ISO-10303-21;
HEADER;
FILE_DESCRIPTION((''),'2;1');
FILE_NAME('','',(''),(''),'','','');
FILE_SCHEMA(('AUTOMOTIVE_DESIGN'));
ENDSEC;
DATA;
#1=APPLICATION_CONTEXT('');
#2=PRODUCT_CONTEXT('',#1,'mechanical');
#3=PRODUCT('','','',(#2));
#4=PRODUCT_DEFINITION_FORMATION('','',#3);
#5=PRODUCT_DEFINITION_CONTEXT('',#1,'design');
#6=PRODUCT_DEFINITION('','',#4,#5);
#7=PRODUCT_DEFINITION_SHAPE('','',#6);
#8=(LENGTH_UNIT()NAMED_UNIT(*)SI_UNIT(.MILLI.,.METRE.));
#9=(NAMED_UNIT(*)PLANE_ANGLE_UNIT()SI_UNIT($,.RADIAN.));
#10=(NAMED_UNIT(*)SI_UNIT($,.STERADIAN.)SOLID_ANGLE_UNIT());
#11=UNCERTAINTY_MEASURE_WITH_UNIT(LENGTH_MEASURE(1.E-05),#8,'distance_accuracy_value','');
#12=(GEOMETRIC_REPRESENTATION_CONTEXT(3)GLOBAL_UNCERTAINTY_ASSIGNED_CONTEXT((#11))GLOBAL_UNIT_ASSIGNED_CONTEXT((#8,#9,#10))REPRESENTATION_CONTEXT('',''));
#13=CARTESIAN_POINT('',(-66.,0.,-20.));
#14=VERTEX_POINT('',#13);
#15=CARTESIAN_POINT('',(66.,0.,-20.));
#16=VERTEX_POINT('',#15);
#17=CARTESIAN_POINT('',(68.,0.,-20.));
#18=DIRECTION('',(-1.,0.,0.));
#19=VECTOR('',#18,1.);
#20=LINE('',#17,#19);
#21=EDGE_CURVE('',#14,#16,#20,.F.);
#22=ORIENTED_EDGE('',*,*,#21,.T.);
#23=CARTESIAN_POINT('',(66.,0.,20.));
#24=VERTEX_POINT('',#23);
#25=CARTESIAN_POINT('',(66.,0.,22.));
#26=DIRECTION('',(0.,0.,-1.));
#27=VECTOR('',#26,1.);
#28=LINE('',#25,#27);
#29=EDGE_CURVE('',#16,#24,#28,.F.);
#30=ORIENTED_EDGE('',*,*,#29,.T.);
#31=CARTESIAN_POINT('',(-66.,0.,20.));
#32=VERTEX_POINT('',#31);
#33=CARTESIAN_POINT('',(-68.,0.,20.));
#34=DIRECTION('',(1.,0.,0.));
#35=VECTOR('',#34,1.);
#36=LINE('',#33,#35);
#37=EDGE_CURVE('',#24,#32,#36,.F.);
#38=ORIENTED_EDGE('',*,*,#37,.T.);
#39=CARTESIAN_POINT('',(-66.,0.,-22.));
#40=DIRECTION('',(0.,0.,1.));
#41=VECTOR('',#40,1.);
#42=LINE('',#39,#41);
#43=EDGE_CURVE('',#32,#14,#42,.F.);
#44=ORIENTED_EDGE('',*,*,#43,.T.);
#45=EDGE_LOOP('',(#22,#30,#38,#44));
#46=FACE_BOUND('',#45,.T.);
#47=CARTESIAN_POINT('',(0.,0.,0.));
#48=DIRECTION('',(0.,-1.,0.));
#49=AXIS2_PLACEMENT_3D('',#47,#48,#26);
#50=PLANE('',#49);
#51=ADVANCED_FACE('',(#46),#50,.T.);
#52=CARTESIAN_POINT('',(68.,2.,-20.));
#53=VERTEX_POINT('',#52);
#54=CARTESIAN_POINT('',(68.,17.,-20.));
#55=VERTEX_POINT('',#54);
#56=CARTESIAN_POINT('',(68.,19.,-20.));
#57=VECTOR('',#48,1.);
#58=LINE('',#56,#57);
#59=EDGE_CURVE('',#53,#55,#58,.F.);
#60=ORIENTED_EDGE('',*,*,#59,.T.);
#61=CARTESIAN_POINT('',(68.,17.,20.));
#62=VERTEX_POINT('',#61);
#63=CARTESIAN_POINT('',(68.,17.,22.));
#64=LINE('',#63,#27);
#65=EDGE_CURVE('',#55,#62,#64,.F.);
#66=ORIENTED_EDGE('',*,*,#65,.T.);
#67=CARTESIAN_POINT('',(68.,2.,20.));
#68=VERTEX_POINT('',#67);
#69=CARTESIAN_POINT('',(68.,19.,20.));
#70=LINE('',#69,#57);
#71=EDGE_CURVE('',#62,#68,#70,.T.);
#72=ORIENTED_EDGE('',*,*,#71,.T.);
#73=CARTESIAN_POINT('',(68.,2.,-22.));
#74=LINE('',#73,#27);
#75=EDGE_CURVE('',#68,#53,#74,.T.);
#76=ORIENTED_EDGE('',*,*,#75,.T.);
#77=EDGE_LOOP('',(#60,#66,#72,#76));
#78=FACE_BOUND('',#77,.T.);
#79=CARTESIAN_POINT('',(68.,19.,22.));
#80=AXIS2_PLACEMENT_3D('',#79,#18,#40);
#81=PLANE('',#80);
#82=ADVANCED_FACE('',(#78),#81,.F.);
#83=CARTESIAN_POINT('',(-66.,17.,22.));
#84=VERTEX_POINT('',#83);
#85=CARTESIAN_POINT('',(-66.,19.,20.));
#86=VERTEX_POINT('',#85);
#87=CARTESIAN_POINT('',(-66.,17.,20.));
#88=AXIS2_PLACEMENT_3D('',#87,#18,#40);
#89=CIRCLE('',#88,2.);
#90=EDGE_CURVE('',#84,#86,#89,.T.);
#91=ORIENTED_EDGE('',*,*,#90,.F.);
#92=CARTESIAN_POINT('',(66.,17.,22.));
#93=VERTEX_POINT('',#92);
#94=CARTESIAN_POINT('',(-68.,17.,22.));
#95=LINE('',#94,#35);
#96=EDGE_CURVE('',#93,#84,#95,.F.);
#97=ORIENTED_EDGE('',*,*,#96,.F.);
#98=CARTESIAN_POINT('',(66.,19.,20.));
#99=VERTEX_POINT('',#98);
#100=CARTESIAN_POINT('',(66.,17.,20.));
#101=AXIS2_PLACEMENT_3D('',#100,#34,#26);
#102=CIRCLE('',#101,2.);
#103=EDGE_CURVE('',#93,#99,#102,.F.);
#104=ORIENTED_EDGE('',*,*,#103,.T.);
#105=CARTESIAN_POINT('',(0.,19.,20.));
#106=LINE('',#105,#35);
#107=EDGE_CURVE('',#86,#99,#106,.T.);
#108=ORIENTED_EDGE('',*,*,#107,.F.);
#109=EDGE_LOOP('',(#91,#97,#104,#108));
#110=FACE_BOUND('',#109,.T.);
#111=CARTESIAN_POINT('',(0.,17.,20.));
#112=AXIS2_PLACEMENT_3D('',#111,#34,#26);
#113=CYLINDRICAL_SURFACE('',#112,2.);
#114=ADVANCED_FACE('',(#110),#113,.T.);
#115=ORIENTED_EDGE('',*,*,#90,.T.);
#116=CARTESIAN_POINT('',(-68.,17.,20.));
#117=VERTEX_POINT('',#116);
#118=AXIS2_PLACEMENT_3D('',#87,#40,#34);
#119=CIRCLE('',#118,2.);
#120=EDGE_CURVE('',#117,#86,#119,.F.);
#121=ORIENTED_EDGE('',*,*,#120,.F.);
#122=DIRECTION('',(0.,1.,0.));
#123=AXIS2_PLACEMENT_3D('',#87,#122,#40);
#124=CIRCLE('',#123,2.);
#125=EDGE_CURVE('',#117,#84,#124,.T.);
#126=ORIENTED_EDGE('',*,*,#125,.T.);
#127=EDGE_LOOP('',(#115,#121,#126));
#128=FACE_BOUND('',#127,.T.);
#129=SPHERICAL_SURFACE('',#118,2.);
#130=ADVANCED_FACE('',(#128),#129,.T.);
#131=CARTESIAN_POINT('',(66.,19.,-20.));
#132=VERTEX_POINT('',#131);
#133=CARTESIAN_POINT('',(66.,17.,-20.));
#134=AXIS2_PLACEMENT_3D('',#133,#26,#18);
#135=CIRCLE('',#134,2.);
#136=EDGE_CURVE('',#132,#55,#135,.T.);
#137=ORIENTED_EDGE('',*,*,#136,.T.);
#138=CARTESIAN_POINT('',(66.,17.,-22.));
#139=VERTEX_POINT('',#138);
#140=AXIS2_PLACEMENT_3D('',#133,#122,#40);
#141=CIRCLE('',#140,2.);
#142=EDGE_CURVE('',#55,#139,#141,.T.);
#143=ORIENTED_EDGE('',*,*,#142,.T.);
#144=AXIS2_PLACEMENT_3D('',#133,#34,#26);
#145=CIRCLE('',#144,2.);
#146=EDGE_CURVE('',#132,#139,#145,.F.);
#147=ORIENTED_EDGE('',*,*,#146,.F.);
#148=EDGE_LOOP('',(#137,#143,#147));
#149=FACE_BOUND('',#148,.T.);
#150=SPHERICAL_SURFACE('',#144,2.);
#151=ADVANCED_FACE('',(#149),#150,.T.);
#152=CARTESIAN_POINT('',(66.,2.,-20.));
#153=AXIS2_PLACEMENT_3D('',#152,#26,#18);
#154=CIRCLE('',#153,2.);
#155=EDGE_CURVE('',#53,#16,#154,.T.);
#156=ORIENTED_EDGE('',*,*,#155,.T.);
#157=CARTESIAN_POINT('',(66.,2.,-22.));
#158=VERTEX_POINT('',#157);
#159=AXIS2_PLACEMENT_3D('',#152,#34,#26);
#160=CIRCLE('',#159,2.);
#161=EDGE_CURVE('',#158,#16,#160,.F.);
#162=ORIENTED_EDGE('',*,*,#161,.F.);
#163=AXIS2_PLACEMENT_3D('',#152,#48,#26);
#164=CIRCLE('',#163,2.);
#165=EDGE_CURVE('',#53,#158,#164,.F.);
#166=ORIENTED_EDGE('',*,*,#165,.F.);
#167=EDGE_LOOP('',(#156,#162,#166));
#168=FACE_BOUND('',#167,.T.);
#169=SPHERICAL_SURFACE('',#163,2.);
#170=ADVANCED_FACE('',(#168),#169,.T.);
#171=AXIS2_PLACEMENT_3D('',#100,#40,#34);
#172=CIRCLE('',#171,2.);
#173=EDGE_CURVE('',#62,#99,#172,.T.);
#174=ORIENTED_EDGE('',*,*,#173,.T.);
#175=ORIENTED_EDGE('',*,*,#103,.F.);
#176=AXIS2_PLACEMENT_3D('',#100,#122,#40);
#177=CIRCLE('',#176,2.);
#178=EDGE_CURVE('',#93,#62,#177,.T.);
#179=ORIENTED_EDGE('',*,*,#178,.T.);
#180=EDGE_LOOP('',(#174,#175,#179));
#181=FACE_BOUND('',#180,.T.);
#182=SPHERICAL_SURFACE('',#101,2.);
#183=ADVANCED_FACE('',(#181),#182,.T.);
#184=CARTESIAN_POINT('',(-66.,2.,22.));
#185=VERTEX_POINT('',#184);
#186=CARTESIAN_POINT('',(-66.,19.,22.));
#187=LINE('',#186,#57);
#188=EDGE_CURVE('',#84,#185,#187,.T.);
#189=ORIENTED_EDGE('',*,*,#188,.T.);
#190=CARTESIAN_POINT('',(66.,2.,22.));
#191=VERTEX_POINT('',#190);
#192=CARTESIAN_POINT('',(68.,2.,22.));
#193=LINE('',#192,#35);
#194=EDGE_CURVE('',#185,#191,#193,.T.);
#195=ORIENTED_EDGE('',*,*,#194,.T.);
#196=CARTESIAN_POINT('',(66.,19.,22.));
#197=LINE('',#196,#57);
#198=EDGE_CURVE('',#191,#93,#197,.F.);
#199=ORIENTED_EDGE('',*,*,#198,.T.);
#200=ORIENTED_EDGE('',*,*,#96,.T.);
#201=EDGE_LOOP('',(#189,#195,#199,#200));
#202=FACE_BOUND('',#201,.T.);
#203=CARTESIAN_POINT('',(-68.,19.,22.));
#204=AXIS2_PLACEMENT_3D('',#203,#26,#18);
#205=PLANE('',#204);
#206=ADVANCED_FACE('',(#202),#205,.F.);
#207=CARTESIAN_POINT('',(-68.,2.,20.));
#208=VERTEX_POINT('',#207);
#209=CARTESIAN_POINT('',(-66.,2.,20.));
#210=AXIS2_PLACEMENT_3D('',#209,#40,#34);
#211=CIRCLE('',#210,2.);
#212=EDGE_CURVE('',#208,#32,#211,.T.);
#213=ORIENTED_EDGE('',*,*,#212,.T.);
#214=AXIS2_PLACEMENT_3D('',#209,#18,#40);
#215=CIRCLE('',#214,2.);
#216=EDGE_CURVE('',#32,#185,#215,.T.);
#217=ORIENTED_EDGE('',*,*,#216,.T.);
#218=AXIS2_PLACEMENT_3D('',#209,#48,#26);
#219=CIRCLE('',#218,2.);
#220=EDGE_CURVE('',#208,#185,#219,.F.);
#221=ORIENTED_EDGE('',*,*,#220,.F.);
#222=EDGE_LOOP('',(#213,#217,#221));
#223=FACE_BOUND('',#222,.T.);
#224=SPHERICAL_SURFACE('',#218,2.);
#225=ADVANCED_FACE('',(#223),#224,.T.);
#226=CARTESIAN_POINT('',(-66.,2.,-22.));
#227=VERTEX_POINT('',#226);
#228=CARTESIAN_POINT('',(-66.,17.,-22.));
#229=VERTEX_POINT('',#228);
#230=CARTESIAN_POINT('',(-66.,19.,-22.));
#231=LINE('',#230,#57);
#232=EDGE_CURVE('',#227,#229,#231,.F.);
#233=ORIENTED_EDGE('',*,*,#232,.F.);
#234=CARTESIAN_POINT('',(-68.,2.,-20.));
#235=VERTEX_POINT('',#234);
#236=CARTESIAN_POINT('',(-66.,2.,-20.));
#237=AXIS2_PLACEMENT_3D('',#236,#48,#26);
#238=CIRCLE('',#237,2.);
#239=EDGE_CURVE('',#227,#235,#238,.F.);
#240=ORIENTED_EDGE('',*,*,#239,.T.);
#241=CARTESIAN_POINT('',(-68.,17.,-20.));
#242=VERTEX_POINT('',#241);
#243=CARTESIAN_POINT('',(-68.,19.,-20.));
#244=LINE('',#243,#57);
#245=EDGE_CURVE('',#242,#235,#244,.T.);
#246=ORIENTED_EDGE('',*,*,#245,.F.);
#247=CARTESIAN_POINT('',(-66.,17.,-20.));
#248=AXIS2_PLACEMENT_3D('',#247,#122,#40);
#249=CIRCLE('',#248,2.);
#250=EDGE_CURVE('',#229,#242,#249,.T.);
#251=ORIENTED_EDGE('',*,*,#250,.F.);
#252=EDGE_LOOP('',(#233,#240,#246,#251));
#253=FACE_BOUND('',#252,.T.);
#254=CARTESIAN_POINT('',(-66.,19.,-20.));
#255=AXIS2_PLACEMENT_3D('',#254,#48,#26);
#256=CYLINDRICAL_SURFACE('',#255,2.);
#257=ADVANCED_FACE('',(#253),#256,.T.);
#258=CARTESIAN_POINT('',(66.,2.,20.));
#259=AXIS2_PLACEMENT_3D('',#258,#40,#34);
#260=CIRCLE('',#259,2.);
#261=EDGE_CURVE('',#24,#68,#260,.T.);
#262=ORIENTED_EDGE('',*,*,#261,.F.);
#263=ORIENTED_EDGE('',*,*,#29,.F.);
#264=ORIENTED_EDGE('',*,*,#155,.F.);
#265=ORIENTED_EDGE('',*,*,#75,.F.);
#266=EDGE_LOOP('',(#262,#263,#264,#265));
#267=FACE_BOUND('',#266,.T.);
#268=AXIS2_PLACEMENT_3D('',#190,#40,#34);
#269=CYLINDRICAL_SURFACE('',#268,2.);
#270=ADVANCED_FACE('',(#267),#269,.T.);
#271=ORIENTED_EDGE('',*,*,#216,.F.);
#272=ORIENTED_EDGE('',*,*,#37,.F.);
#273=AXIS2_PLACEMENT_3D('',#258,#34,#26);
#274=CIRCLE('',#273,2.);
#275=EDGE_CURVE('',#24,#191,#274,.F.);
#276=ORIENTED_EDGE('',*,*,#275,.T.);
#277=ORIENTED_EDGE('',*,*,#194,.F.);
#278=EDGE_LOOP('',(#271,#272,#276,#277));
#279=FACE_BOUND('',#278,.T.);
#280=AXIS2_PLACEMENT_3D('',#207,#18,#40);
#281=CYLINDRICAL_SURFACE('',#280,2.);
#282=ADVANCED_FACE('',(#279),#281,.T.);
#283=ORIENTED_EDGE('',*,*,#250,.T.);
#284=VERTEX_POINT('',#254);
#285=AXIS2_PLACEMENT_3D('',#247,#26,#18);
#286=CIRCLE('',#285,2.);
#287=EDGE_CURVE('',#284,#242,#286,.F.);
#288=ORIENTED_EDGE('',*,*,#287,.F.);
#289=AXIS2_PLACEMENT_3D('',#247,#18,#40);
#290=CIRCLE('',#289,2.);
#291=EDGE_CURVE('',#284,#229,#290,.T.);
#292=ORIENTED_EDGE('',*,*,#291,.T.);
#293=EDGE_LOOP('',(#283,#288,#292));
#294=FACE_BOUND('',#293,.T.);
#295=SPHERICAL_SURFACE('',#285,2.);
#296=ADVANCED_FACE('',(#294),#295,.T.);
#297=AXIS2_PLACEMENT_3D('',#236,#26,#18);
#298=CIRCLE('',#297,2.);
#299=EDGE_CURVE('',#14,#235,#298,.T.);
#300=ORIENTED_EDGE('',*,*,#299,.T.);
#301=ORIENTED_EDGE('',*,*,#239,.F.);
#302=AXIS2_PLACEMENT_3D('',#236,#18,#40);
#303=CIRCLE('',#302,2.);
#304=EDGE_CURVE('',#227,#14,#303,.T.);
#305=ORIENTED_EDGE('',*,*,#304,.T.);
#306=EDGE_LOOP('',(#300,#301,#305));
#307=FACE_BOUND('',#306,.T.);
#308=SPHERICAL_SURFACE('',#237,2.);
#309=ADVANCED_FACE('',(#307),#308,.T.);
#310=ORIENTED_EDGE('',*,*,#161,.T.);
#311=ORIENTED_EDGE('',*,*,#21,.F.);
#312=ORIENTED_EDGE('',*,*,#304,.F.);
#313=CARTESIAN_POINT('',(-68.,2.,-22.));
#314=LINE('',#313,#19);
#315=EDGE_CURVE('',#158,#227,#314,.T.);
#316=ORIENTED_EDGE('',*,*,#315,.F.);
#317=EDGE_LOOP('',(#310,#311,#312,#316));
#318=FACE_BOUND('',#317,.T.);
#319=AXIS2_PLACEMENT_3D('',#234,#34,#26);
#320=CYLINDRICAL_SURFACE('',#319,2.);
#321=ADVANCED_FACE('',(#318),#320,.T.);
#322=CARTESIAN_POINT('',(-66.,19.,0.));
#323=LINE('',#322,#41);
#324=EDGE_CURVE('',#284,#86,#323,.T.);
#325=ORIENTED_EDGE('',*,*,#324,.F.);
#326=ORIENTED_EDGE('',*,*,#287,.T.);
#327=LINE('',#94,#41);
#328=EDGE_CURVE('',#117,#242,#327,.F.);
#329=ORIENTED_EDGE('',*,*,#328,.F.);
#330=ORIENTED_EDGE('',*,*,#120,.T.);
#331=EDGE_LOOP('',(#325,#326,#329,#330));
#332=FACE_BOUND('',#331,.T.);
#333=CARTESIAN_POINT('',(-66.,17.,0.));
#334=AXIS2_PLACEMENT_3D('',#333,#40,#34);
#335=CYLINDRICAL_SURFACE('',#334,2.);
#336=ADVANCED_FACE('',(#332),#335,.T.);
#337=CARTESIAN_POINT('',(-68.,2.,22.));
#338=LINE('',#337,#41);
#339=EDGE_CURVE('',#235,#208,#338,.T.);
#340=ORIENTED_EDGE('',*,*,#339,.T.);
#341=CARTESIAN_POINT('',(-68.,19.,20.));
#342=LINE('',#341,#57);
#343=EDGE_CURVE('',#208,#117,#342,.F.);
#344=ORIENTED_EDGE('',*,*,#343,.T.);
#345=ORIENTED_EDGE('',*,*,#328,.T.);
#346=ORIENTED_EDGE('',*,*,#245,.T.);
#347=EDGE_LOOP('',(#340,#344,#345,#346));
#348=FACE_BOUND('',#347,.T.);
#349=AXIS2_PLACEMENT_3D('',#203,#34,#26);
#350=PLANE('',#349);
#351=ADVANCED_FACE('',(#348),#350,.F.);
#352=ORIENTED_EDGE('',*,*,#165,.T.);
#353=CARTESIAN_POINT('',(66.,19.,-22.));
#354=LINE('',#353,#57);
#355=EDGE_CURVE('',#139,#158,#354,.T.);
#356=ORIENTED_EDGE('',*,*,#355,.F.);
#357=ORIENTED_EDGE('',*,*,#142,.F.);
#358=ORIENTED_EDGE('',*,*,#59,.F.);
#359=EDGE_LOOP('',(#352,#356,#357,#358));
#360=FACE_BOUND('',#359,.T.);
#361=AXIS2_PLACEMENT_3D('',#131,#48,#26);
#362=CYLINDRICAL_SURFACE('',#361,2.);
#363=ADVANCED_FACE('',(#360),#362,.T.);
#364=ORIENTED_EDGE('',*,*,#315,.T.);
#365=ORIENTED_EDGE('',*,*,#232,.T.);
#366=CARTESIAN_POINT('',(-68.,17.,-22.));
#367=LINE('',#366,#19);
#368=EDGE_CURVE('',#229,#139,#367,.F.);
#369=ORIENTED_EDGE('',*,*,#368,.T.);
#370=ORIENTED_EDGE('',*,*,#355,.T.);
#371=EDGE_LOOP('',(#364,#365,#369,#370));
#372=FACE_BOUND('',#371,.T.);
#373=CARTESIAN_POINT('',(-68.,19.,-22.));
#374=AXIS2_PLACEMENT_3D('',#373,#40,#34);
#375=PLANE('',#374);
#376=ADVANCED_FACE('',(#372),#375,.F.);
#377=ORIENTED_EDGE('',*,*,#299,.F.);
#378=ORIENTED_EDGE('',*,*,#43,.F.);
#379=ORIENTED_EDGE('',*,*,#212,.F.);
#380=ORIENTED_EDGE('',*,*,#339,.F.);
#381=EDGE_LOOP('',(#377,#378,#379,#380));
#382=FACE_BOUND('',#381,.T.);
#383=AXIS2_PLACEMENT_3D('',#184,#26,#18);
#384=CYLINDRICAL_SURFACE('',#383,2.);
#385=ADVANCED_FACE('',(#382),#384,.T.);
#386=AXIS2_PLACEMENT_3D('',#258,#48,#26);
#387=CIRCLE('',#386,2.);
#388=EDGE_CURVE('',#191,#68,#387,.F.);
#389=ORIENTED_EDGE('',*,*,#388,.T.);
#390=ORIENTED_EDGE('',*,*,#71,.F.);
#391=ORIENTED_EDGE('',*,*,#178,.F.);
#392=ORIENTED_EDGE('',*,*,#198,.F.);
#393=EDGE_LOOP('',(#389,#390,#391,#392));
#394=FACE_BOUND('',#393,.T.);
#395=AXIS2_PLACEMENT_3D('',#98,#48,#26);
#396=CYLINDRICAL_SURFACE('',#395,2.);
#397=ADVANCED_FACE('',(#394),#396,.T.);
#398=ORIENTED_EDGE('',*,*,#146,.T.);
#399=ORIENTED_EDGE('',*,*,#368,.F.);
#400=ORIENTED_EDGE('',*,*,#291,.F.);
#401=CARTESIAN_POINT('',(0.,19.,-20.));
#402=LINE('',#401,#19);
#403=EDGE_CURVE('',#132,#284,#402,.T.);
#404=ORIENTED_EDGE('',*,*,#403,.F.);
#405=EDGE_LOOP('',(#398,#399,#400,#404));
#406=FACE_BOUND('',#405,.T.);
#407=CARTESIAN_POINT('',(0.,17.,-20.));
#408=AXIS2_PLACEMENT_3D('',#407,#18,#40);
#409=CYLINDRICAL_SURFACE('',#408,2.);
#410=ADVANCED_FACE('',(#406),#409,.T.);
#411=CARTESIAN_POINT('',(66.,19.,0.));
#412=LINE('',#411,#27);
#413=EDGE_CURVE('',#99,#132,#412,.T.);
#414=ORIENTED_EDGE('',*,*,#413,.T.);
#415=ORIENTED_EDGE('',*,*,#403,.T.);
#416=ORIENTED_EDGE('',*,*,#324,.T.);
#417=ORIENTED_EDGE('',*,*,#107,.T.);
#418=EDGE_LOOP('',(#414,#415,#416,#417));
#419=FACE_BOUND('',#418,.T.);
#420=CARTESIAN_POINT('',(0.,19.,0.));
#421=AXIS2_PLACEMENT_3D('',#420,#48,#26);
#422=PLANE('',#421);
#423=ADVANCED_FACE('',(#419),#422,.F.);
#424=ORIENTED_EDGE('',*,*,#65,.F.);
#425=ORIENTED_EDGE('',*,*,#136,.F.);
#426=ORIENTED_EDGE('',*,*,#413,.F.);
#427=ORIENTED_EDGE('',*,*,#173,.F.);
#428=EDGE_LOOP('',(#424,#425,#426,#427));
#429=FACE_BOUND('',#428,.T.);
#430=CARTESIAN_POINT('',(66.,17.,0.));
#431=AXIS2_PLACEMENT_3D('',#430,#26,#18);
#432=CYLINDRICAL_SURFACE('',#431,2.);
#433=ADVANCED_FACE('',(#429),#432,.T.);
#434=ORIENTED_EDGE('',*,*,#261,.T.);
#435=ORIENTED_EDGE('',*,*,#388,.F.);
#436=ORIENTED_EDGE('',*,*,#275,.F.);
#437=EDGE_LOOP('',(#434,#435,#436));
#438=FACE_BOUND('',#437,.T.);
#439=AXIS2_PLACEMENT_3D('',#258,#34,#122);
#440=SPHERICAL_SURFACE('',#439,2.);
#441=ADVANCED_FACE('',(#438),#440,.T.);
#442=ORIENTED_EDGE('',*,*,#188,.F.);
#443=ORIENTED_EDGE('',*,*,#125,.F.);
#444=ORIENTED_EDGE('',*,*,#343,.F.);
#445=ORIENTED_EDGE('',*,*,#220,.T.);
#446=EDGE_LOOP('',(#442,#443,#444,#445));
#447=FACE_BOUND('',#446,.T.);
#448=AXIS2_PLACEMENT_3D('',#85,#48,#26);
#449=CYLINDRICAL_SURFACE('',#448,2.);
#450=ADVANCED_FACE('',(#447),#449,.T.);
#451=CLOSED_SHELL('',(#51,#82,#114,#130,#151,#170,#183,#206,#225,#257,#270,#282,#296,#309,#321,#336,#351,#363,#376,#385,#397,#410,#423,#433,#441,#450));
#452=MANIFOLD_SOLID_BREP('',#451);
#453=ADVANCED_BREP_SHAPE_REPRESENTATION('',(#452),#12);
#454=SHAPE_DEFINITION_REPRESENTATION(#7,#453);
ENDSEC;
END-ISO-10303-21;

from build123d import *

# Parameters (mm, degrees)
SKETCH1_W           = 136
SKETCH1_H           = 44
BOSS_EXTRUDE1_DEPTH = 19
FILLET1_R           = 2


with BuildPart() as part:
    # Sketch1 → Boss-Extrude1 (new body)
    with BuildSketch(Plane(origin=(0, 0, 0), x_dir=(1, 0, 0), z_dir=(0, 1, 0))):
        Rectangle(SKETCH1_W, SKETCH1_H)
    extrude(amount=BOSS_EXTRUDE1_DEPTH)

    # Fillet1
    fillet1_edges = [part.edges().sort_by_distance(p)[0] for p in [
        (-68, 19, 0),
        (0, 19, 22),
        (68, 19, 0),
        (0, 0, 22),
        (-68, 0, 0),
        (0, 0, -22),
        (68, 0, 0),
        (68, 9.5, 22),
        (-68, 9.5, 22),
        (-68, 9.5, -22),
        (68, 9.5, -22),
        (0, 19, -22),
    ]]
    fillet(fillet1_edges, radius=FILLET1_R)


solid = part.part
